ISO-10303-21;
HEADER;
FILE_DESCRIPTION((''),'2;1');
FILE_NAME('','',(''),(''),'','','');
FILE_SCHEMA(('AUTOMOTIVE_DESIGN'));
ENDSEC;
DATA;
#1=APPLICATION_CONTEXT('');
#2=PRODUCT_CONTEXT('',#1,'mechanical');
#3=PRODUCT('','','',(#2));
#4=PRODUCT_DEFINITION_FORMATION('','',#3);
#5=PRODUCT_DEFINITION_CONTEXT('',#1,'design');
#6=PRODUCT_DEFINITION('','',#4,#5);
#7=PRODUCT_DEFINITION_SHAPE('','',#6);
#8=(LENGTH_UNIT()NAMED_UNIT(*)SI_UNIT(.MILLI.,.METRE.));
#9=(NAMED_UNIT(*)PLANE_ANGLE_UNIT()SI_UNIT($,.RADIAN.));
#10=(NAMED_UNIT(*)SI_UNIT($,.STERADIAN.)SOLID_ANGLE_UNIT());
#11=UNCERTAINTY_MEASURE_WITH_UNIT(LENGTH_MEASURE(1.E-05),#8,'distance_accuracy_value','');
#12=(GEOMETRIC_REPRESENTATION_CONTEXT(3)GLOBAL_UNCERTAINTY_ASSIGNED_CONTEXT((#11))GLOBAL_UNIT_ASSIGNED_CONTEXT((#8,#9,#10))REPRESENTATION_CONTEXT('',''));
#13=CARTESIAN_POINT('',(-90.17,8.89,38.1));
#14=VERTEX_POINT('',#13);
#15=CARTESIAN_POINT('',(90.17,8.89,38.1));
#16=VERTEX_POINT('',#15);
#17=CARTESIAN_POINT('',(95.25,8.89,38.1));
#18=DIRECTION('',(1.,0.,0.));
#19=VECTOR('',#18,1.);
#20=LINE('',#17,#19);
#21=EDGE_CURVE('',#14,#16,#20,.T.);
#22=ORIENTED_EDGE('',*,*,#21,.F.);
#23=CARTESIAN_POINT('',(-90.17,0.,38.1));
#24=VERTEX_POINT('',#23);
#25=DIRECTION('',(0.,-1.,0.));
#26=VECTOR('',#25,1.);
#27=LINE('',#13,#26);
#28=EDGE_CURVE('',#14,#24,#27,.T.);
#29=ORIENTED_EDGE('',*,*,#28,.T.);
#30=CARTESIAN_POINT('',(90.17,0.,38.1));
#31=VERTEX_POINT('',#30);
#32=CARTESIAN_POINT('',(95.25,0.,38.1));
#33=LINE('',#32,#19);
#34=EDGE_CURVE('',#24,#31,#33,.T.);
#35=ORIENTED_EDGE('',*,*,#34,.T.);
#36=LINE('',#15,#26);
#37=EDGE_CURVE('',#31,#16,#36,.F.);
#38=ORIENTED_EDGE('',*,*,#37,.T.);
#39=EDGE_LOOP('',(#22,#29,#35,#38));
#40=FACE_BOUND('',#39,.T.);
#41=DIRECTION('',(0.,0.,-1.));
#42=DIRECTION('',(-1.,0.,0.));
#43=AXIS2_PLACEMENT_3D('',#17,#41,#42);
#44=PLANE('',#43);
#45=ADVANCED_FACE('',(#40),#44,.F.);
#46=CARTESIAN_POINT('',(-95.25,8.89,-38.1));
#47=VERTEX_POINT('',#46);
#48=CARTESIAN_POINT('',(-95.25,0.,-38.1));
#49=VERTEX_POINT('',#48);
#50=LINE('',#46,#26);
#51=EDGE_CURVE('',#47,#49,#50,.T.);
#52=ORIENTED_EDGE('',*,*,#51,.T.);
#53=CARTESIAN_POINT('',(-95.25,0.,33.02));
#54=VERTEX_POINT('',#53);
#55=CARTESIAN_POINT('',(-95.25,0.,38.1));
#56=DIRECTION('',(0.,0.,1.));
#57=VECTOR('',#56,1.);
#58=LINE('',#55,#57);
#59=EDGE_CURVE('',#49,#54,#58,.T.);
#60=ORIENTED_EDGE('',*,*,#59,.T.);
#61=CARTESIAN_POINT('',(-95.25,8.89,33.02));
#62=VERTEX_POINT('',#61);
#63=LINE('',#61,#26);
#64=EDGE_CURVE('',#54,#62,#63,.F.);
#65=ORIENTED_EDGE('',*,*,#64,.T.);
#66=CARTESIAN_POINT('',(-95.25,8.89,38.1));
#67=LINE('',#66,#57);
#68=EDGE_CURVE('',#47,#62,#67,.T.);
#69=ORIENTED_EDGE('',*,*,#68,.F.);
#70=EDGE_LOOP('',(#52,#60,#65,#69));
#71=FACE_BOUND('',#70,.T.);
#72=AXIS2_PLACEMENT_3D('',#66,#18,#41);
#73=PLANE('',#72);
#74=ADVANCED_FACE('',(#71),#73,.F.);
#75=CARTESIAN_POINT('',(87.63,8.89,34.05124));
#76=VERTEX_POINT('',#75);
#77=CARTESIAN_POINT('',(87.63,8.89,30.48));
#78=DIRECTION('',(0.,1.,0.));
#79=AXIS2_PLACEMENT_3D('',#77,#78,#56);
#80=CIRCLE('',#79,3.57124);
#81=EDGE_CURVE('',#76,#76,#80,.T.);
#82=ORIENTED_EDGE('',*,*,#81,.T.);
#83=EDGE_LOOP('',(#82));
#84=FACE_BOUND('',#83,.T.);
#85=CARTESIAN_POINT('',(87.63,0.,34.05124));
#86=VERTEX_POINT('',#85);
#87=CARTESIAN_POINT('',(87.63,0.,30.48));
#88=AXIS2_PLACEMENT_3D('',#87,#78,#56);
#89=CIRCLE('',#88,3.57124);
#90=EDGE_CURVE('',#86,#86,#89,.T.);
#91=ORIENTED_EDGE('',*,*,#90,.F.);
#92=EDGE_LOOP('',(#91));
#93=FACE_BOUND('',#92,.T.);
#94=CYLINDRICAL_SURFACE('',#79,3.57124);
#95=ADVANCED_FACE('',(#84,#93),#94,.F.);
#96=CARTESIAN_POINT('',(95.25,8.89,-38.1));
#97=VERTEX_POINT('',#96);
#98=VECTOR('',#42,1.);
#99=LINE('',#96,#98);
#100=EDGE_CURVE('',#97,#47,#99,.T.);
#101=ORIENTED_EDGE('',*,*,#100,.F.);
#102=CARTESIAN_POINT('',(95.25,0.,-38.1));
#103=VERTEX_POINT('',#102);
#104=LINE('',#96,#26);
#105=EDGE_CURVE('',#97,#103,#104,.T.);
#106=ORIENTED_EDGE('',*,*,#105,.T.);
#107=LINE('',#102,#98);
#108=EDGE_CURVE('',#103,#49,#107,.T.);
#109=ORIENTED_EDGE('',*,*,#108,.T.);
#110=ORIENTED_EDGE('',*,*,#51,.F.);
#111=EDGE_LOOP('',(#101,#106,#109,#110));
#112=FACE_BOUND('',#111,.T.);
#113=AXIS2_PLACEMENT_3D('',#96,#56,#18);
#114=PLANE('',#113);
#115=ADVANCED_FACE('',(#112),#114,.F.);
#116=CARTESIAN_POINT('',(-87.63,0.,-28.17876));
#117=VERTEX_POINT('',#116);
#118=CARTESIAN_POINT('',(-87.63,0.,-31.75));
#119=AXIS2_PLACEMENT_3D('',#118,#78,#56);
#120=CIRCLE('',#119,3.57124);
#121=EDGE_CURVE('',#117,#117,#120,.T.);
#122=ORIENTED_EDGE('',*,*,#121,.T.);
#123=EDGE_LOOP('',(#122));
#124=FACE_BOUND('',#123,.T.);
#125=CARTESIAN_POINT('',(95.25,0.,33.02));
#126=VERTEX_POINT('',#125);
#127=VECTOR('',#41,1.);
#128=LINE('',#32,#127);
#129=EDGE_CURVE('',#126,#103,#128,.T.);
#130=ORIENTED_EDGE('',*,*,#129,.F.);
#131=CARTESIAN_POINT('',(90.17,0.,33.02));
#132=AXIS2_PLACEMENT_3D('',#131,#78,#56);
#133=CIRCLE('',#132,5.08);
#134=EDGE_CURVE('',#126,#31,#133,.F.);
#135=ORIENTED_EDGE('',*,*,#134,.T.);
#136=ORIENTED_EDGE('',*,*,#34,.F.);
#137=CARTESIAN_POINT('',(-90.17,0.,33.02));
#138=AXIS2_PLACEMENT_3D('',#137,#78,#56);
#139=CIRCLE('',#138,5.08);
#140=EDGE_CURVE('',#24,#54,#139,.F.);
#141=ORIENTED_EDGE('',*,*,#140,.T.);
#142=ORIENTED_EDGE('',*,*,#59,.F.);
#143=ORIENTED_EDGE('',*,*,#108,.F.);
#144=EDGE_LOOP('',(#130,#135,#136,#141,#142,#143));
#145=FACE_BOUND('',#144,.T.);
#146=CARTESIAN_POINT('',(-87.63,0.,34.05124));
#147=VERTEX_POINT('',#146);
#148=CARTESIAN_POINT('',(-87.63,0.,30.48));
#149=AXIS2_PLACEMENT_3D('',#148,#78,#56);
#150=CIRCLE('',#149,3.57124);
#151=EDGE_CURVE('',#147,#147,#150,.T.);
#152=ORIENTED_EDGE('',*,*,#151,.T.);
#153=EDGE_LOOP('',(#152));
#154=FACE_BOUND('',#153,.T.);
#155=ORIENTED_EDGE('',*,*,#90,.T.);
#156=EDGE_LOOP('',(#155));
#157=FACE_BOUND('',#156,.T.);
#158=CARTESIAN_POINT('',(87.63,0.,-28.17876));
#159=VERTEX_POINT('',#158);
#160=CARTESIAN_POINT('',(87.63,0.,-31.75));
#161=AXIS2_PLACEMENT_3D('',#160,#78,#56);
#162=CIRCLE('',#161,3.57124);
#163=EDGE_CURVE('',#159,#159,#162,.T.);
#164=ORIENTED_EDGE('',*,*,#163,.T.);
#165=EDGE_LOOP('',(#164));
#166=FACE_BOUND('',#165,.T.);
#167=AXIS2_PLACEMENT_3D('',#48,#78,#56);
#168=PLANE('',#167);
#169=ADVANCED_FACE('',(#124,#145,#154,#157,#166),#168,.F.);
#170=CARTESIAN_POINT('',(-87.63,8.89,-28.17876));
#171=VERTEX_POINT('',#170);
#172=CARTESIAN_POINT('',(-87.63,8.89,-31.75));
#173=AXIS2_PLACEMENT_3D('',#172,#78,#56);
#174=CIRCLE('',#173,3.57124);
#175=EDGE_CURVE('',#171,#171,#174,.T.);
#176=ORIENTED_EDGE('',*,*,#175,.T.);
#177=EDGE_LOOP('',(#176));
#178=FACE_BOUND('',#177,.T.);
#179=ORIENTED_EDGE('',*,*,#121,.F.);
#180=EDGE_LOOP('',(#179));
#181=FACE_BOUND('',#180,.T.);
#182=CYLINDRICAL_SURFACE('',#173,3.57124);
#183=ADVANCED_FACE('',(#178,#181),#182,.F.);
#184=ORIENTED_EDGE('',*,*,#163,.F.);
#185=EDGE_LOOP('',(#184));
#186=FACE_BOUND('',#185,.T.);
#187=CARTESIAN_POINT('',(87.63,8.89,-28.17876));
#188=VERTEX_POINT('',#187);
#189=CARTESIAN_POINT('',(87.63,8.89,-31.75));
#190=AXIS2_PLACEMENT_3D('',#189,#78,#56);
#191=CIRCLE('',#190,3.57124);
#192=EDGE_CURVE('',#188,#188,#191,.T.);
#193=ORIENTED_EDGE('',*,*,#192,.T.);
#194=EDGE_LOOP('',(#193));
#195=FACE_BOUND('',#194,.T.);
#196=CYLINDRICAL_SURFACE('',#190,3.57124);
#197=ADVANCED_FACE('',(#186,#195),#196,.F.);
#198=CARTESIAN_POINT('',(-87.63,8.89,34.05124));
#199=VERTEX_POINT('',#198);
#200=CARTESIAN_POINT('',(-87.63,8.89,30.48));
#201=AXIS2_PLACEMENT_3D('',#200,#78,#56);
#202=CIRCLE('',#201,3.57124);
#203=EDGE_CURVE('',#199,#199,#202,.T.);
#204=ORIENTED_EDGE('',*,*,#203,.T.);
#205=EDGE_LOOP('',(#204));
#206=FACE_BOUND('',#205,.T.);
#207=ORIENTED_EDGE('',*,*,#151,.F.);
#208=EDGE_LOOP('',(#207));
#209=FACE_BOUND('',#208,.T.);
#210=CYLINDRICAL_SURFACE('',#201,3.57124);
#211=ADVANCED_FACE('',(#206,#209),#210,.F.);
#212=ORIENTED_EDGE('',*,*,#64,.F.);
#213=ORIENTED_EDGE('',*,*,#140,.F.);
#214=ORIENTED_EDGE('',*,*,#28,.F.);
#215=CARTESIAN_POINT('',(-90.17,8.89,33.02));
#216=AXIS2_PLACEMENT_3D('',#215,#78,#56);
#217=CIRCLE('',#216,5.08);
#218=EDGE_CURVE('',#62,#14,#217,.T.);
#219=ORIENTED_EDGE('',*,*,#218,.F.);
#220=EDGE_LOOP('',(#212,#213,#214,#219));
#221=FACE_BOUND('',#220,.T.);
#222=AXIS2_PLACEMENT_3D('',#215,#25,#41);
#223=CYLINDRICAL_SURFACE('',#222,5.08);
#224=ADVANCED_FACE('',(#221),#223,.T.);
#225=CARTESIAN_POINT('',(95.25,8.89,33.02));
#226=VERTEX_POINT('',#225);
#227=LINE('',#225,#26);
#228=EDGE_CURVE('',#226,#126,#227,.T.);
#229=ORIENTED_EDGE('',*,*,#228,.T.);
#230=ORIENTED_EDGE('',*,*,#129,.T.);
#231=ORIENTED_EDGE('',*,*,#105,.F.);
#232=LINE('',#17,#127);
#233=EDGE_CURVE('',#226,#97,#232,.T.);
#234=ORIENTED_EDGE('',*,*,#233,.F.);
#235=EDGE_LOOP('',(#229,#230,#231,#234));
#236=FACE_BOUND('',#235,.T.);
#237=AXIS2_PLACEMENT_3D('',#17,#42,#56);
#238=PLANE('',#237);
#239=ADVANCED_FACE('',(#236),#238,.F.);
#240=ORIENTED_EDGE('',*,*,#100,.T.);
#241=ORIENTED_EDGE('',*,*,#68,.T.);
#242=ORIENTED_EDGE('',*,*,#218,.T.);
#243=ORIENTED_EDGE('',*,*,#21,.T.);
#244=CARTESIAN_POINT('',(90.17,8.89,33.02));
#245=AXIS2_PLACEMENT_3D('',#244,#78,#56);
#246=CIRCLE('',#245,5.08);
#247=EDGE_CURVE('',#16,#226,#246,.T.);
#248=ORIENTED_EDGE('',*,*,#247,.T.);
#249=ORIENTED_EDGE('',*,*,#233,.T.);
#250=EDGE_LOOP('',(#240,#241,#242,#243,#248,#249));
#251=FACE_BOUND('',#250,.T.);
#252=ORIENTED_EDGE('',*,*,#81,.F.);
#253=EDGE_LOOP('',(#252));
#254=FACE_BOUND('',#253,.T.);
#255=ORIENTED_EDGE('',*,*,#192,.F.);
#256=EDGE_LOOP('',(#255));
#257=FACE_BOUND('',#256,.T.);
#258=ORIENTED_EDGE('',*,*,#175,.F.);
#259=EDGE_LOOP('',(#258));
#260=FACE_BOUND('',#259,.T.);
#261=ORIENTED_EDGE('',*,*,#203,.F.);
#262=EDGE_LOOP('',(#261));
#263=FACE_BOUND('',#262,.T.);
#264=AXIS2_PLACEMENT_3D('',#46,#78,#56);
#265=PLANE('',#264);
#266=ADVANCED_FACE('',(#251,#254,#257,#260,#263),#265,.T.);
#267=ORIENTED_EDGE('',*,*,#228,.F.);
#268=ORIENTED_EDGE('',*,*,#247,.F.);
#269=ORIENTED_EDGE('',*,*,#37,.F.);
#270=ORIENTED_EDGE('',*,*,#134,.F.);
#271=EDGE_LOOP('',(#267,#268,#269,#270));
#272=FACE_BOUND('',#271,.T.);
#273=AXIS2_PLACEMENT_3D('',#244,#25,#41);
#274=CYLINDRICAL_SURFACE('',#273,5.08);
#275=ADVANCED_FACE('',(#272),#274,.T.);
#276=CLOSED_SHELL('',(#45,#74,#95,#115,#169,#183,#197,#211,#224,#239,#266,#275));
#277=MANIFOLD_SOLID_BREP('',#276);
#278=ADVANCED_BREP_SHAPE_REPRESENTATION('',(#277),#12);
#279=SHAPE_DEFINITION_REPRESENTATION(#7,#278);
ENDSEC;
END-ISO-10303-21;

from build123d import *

# Parameters (mm, degrees)
SKETCH1_W                   = 190.5
SKETCH1_H                   = 76.2
BOSS_EXTRUDE1_DEPTH         = 8.89
F_1_4_CLEARANCE_HOLE1_D     = 7.14248
F_1_4_CLEARANCE_HOLE1_DEPTH = 8.89
FILLET1_R                   = 5.08


with BuildPart() as part:
    # Sketch1 → Boss-Extrude1 (new body)
    with BuildSketch(Plane(origin=(0, 0, 0), x_dir=(1, 0, 0), z_dir=(0, 1, 0))):
        Rectangle(SKETCH1_W, SKETCH1_H)
    extrude(amount=BOSS_EXTRUDE1_DEPTH)

    # 1/4 Clearance Hole1
    with Locations(Plane(origin=(0, 8.89, 0), x_dir=(-1, 0, 0), z_dir=(0, 1, 0))):
        with Locations((87.63, -31.75), (-87.63, -31.75), (-87.63, 30.48), (87.63, 30.48)):
            Hole(F_1_4_CLEARANCE_HOLE1_D / 2, depth=F_1_4_CLEARANCE_HOLE1_DEPTH)

    # Fillet1
    fillet1_edges = [part.edges().sort_by_distance(p)[0] for p in [
        (95.25, 4.445, 38.1),
        (-95.25, 4.445, 38.1),
    ]]
    fillet(fillet1_edges, radius=FILLET1_R)


solid = part.part
